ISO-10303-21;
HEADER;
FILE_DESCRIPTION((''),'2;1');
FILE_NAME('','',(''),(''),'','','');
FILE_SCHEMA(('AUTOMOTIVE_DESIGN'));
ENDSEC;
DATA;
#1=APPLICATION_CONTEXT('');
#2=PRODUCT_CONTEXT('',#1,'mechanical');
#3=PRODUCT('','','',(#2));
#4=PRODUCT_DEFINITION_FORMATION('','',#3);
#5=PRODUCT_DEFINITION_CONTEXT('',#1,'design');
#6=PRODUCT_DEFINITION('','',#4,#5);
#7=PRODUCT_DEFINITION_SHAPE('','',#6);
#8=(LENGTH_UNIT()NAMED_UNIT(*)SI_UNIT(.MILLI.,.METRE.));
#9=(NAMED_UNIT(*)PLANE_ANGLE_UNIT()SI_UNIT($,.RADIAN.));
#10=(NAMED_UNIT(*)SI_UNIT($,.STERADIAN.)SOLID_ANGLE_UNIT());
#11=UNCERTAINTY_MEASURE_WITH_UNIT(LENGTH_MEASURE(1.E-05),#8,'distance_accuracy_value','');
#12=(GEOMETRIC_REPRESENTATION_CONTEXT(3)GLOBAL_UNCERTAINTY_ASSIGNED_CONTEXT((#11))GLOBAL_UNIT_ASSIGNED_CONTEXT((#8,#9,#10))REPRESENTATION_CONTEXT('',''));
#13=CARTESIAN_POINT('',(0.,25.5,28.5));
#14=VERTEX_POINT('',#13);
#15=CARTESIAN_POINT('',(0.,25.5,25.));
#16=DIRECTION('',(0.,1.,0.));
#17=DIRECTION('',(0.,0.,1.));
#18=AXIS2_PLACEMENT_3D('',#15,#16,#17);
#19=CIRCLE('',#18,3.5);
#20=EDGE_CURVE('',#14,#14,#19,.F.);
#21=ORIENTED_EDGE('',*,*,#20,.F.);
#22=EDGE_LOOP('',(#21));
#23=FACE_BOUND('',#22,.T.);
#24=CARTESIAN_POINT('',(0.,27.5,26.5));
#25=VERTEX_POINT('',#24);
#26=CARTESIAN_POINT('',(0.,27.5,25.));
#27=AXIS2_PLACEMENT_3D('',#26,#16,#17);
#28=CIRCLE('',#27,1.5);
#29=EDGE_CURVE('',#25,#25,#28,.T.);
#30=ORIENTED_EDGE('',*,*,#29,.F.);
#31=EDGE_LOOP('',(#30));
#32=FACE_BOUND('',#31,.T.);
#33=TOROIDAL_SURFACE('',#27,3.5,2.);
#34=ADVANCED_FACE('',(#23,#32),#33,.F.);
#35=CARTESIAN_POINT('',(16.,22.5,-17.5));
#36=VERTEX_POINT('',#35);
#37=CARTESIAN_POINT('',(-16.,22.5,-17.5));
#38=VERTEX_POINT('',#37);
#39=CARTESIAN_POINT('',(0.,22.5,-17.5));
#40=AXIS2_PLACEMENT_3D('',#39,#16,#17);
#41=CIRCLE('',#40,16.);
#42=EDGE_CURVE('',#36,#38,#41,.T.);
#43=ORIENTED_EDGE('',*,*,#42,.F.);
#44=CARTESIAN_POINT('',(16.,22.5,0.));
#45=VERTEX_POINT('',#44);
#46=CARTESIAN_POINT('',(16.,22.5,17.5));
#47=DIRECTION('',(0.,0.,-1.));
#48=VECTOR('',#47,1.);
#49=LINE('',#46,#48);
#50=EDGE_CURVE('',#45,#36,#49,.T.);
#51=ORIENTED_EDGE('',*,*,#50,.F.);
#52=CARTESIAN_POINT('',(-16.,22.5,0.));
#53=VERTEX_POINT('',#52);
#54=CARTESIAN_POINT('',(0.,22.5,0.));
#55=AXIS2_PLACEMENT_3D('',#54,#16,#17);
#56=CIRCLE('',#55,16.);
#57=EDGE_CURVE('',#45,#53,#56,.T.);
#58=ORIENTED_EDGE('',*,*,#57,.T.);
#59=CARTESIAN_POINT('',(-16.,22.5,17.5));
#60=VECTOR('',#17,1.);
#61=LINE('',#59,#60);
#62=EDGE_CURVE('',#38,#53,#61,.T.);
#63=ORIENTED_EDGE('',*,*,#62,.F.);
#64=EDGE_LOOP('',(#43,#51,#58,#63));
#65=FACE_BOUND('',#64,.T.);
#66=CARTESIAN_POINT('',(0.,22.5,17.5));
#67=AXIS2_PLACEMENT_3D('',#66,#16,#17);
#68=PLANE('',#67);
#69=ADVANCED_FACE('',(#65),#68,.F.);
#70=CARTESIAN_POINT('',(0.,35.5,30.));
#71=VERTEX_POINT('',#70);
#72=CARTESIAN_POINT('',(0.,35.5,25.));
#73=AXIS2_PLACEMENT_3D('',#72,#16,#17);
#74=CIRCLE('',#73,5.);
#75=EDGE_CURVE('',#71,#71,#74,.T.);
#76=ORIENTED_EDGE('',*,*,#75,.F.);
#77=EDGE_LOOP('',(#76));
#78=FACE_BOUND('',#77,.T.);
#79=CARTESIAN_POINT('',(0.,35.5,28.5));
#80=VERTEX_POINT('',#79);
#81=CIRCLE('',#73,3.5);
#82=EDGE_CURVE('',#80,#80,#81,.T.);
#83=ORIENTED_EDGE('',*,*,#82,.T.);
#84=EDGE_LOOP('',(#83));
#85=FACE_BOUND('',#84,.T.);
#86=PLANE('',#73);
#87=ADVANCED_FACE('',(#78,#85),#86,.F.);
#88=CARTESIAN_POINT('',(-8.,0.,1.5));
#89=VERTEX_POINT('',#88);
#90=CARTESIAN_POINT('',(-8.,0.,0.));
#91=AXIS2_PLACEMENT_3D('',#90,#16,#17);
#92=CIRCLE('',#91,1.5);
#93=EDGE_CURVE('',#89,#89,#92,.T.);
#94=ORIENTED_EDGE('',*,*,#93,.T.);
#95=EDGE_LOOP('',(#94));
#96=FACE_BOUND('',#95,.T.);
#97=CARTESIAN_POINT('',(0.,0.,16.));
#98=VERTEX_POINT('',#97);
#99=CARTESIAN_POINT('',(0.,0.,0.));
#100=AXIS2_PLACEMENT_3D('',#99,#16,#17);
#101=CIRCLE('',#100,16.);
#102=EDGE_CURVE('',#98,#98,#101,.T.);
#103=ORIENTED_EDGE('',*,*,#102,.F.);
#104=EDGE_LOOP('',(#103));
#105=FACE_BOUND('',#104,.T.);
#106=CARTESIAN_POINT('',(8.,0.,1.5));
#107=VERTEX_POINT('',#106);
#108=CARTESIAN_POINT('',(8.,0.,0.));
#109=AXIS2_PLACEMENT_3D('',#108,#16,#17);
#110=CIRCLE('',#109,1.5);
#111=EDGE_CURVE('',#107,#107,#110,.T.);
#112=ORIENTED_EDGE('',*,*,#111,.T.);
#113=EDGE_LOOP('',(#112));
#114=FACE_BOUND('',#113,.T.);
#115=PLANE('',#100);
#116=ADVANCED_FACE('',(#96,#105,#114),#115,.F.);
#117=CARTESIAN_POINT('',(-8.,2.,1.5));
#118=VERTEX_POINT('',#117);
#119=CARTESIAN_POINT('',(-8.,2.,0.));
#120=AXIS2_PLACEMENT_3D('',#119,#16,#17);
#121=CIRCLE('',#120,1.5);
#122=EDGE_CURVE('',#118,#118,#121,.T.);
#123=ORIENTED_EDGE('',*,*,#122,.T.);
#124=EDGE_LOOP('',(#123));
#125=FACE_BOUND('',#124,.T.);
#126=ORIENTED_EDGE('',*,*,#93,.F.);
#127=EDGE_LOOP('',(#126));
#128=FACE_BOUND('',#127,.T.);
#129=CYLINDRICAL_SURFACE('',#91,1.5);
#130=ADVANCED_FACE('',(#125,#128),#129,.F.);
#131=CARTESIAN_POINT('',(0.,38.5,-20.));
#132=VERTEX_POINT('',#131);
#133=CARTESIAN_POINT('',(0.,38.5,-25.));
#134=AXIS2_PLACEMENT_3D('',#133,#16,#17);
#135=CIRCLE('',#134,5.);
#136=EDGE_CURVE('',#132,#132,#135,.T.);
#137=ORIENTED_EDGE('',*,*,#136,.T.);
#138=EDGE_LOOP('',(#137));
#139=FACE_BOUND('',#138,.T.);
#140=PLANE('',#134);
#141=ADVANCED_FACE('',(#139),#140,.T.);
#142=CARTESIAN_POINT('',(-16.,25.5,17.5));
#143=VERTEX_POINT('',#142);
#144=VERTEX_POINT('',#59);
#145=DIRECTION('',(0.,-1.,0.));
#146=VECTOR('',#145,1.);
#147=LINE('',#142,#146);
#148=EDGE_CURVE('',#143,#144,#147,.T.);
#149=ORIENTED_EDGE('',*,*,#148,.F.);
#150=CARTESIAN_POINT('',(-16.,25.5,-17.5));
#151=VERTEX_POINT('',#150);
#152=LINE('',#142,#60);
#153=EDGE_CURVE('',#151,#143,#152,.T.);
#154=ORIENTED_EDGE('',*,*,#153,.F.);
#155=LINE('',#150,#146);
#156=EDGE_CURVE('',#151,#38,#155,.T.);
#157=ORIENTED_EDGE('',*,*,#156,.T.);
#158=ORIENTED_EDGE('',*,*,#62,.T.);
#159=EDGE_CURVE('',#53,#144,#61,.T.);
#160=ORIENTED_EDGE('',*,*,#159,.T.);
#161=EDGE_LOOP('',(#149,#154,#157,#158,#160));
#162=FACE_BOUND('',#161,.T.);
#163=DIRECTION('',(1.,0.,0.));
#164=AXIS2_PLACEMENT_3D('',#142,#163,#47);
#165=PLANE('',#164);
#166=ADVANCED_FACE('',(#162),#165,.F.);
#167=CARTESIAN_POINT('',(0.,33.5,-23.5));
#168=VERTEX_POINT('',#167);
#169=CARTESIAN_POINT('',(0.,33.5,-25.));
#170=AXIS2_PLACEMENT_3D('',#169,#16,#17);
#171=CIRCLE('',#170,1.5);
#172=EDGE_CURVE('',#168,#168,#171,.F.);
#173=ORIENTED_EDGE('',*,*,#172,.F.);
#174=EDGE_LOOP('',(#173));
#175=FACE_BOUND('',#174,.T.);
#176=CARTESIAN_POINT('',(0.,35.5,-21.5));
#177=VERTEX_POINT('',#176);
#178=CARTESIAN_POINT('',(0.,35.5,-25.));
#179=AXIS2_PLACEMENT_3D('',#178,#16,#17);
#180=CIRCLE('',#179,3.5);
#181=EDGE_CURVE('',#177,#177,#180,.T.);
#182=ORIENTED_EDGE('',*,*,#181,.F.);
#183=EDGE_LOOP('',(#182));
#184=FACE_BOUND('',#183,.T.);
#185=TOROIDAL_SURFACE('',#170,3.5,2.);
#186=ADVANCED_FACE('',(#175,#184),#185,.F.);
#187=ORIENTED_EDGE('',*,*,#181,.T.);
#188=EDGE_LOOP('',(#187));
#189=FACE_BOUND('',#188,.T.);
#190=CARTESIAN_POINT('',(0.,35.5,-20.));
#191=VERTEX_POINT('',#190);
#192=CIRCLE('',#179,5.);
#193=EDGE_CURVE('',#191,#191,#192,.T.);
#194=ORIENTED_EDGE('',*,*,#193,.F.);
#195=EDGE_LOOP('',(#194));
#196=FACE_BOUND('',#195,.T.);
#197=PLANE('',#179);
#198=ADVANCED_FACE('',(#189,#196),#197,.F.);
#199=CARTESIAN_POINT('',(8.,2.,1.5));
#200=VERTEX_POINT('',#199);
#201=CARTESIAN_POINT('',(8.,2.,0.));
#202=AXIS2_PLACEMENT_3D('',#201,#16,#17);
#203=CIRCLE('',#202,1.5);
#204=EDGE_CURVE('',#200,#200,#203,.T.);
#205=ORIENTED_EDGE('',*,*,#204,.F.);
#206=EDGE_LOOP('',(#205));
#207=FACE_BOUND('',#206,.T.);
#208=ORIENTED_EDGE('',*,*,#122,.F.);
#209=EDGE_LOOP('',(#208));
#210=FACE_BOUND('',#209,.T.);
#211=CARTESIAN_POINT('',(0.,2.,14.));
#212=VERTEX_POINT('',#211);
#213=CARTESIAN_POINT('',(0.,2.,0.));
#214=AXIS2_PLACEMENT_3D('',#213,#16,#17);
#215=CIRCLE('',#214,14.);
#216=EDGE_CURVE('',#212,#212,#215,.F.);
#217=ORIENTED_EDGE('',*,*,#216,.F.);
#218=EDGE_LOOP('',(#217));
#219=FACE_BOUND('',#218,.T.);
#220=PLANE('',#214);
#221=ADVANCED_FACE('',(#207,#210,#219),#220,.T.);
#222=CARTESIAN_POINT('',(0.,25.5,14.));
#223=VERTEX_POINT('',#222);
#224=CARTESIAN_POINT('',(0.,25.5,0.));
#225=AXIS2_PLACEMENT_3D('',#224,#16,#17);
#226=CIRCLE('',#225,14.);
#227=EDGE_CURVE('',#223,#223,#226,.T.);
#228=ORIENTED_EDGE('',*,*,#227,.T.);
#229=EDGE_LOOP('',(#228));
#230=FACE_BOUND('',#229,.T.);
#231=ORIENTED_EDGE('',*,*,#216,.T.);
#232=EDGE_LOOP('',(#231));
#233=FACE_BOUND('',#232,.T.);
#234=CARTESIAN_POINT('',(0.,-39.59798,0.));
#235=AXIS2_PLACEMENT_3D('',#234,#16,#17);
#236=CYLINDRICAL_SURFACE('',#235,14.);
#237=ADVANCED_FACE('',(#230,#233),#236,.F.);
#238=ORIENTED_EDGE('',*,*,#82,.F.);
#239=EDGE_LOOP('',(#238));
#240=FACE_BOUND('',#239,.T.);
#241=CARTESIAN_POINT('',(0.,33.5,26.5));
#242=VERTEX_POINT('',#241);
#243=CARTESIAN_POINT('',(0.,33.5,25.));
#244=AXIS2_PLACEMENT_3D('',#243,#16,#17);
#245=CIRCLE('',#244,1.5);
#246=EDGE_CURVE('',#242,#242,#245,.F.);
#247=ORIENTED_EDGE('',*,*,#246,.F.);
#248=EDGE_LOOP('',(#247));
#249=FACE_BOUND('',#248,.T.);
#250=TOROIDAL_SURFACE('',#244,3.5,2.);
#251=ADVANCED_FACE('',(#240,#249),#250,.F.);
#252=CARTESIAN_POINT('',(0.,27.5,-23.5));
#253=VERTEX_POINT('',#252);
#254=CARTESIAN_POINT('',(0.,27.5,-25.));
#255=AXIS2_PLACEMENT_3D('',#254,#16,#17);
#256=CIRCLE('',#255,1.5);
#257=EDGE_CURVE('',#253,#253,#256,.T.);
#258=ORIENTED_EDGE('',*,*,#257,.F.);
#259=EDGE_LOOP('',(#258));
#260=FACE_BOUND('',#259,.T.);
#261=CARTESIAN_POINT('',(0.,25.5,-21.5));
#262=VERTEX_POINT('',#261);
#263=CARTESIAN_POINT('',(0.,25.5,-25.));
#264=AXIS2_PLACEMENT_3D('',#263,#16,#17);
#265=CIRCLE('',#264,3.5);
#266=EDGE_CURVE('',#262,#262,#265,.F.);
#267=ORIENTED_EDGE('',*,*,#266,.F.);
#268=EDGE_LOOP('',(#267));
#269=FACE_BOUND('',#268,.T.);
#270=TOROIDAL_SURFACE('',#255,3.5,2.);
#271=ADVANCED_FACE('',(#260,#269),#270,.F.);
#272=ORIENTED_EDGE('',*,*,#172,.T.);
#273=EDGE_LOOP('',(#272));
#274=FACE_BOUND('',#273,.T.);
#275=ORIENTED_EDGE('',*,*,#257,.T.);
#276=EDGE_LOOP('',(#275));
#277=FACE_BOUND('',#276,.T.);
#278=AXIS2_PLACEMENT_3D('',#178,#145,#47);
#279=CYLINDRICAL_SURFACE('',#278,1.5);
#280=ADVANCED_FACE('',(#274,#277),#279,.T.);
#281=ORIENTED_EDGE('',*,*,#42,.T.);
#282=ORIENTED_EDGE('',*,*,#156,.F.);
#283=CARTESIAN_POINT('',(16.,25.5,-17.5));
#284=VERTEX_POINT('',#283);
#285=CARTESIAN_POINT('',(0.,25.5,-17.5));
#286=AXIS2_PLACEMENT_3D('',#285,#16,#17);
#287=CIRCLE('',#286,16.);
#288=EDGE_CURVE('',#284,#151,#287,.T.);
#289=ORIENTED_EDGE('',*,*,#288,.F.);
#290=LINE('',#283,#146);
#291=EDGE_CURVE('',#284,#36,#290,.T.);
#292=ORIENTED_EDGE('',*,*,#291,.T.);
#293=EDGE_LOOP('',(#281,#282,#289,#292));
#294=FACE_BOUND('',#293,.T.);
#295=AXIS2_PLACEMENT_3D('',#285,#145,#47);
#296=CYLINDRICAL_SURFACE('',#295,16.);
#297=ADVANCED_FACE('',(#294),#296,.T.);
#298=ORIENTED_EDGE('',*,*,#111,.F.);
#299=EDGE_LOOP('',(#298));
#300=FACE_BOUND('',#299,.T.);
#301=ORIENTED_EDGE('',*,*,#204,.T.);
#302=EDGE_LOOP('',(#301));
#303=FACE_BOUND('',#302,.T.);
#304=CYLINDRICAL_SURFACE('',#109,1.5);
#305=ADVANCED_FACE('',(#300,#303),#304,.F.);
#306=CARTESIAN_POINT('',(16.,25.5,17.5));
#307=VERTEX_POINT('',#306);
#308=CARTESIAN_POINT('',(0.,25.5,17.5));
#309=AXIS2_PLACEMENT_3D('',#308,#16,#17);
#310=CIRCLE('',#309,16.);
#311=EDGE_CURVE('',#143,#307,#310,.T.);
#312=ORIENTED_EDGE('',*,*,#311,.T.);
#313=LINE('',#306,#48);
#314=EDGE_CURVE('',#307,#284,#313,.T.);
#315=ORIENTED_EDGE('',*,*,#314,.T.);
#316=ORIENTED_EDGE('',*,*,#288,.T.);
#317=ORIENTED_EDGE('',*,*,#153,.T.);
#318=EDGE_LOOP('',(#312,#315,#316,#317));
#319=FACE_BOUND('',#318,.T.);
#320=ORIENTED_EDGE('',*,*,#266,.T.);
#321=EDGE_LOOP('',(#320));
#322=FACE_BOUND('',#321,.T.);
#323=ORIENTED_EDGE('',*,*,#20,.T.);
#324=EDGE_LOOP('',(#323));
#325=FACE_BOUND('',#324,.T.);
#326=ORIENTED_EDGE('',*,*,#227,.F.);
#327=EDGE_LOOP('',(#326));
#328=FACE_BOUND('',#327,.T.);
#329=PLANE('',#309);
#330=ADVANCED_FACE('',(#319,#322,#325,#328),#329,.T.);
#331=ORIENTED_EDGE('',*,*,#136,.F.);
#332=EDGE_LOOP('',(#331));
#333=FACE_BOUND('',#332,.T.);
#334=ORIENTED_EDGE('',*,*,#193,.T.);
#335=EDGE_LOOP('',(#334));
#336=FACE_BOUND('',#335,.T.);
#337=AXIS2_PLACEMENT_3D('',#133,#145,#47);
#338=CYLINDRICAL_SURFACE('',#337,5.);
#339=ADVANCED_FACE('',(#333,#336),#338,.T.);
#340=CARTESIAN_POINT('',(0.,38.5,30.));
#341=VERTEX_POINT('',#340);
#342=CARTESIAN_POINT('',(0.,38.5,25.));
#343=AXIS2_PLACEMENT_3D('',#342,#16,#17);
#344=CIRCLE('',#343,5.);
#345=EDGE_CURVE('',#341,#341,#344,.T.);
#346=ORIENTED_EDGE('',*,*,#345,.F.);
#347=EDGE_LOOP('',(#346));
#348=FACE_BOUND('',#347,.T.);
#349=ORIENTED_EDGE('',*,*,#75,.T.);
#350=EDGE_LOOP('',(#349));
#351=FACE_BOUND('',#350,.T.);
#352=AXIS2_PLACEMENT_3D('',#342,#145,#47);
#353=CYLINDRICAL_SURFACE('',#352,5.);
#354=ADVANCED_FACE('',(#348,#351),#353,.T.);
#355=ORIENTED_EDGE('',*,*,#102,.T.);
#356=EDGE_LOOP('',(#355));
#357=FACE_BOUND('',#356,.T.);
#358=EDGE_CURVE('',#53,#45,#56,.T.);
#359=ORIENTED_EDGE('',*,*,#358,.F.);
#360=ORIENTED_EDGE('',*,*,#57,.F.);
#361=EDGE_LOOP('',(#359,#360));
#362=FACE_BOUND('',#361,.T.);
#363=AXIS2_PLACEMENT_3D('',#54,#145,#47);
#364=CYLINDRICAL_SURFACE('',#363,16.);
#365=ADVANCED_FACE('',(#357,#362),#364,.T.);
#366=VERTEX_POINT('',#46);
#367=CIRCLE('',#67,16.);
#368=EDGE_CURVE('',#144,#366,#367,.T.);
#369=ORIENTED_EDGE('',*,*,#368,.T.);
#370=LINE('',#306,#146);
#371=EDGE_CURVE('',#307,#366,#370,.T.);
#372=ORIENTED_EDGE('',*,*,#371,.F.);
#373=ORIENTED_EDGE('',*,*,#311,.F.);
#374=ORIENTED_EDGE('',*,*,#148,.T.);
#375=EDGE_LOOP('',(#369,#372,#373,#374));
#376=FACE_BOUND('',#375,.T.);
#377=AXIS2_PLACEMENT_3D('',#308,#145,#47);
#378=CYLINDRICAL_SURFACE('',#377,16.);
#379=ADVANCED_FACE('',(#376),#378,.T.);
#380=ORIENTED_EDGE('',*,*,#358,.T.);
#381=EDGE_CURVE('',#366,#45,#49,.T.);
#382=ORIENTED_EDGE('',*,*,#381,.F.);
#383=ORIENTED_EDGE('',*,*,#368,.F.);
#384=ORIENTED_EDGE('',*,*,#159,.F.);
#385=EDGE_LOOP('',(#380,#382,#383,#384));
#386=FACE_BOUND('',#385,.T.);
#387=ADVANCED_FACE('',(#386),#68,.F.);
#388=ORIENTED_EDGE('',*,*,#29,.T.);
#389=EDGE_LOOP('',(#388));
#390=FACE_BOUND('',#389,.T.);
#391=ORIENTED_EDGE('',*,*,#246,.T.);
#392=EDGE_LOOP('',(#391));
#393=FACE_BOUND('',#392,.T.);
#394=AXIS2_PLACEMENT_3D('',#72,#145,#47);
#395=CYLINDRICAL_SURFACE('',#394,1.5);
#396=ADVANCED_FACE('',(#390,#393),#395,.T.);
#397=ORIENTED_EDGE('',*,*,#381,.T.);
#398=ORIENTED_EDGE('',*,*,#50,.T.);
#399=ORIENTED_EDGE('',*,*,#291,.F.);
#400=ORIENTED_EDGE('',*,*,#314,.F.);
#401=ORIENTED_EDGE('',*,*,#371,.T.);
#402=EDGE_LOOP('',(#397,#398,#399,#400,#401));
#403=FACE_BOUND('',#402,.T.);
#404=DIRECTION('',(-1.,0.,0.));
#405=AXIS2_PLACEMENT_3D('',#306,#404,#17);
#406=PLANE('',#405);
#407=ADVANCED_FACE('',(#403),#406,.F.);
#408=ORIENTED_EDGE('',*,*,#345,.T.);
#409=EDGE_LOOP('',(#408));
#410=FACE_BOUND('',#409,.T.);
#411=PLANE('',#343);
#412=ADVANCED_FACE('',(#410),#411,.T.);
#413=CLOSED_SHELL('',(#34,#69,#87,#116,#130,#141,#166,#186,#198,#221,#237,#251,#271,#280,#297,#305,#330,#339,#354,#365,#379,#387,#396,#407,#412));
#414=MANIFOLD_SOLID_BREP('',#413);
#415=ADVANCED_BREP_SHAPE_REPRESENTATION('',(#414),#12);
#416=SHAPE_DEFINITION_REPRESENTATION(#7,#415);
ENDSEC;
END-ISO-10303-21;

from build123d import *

# Parameters (mm, degrees)
SKETCH1_R           = 16
BOSS_EXTRUDE1_DEPTH = 22.5
BOSS_EXTRUDE2_DEPTH = 3
SKETCH3_R           = 1.5
BOSS_EXTRUDE3_DEPTH = 10
SKETCH4_R           = 14
CUT_EXTRUDE1_DEPTH  = 23.5
SKETCH5_R           = 1.5
CUT_EXTRUDE2_DEPTH  = 51.00499975
SKETCH7_R           = 5
BOSS_EXTRUDE4_DEPTH = 3
FILLET1_R           = 2


with BuildPart() as part:
    # Sketch1 → Boss-Extrude1 (new body)
    with BuildSketch(Plane(origin=(0, 0, 0), x_dir=(1, 0, 0), z_dir=(0, 1, 0))):
        with Locations(Location((0, 0, 0), (0, 0, 90))):
            Circle(SKETCH1_R)
    extrude(amount=BOSS_EXTRUDE1_DEPTH)

    # Sketch2 → Boss-Extrude2 (add)
    with BuildSketch(Plane(origin=(0, 22.5, 0), x_dir=(1, 0, 0), z_dir=(0, 1, 0))):
        with BuildLine():
            Line((-16, -17.5), (-16, 17.5))
            ThreePointArc((-16, 17.5), (0, 33.5), (16, 17.5))
            Line((16, 17.5), (16, -17.5))
            ThreePointArc((16, -17.5), (0, -33.5), (-16, -17.5))
        make_face()
    extrude(amount=BOSS_EXTRUDE2_DEPTH)

    # Sketch3 → Boss-Extrude3 (add)
    with BuildSketch(Plane(origin=(0, 25.5, 0), x_dir=(1, 0, 0), z_dir=(0, 1, 0))):
        with Locations(Location((0, 25, 0), (0, 0, 270))):
            Circle(SKETCH3_R)
        with Locations(Location((0, -25, 0), (0, 0, 270))):
            Circle(SKETCH3_R)
    extrude(amount=BOSS_EXTRUDE3_DEPTH)

    # Sketch4 → Cut-Extrude1 (cut)
    with BuildSketch(Plane(origin=(0, 25.5, 0), x_dir=(1, 0, 0), z_dir=(0, 1, 0))):
        with Locations(Location((0, 0, 0), (0, 0, 270))):
            Circle(SKETCH4_R)
    extrude(amount=-CUT_EXTRUDE1_DEPTH, mode=Mode.SUBTRACT)

    # Sketch5 → Cut-Extrude2 (cut, through all)
    with BuildSketch(Plane(origin=(0, 2, 0), x_dir=(1, 0, 0), z_dir=(0, 1, 0))):
        with Locations(Location((8, 0, 0), (0, 0, 270))):
            Circle(SKETCH5_R)
        with Locations(Location((-8, 0, 0), (0, 0, 270))):
            Circle(SKETCH5_R)
    extrude(amount=-CUT_EXTRUDE2_DEPTH, mode=Mode.SUBTRACT)

    # Sketch7 → Boss-Extrude4 (add)
    with BuildSketch(Plane(origin=(0, 35.5, 0), x_dir=(1, 0, 0), z_dir=(0, 1, 0))):
        with Locations(Location((0, 25, 0), (0, 0, 270))):
            Circle(SKETCH7_R)
        with Locations(Location((0, -25, 0), (0, 0, 270))):
            Circle(SKETCH7_R)
    extrude(amount=BOSS_EXTRUDE4_DEPTH)

    # Fillet1
    fillet1_edges = [part.edges().sort_by_distance(p)[0] for p in [
        (0, 25.5, -26.5),
        (0, 35.5, -26.5),
        (0, 25.5, 23.5),
        (0, 35.5, 23.5),
    ]]
    fillet(fillet1_edges, radius=FILLET1_R)


solid = part.part
